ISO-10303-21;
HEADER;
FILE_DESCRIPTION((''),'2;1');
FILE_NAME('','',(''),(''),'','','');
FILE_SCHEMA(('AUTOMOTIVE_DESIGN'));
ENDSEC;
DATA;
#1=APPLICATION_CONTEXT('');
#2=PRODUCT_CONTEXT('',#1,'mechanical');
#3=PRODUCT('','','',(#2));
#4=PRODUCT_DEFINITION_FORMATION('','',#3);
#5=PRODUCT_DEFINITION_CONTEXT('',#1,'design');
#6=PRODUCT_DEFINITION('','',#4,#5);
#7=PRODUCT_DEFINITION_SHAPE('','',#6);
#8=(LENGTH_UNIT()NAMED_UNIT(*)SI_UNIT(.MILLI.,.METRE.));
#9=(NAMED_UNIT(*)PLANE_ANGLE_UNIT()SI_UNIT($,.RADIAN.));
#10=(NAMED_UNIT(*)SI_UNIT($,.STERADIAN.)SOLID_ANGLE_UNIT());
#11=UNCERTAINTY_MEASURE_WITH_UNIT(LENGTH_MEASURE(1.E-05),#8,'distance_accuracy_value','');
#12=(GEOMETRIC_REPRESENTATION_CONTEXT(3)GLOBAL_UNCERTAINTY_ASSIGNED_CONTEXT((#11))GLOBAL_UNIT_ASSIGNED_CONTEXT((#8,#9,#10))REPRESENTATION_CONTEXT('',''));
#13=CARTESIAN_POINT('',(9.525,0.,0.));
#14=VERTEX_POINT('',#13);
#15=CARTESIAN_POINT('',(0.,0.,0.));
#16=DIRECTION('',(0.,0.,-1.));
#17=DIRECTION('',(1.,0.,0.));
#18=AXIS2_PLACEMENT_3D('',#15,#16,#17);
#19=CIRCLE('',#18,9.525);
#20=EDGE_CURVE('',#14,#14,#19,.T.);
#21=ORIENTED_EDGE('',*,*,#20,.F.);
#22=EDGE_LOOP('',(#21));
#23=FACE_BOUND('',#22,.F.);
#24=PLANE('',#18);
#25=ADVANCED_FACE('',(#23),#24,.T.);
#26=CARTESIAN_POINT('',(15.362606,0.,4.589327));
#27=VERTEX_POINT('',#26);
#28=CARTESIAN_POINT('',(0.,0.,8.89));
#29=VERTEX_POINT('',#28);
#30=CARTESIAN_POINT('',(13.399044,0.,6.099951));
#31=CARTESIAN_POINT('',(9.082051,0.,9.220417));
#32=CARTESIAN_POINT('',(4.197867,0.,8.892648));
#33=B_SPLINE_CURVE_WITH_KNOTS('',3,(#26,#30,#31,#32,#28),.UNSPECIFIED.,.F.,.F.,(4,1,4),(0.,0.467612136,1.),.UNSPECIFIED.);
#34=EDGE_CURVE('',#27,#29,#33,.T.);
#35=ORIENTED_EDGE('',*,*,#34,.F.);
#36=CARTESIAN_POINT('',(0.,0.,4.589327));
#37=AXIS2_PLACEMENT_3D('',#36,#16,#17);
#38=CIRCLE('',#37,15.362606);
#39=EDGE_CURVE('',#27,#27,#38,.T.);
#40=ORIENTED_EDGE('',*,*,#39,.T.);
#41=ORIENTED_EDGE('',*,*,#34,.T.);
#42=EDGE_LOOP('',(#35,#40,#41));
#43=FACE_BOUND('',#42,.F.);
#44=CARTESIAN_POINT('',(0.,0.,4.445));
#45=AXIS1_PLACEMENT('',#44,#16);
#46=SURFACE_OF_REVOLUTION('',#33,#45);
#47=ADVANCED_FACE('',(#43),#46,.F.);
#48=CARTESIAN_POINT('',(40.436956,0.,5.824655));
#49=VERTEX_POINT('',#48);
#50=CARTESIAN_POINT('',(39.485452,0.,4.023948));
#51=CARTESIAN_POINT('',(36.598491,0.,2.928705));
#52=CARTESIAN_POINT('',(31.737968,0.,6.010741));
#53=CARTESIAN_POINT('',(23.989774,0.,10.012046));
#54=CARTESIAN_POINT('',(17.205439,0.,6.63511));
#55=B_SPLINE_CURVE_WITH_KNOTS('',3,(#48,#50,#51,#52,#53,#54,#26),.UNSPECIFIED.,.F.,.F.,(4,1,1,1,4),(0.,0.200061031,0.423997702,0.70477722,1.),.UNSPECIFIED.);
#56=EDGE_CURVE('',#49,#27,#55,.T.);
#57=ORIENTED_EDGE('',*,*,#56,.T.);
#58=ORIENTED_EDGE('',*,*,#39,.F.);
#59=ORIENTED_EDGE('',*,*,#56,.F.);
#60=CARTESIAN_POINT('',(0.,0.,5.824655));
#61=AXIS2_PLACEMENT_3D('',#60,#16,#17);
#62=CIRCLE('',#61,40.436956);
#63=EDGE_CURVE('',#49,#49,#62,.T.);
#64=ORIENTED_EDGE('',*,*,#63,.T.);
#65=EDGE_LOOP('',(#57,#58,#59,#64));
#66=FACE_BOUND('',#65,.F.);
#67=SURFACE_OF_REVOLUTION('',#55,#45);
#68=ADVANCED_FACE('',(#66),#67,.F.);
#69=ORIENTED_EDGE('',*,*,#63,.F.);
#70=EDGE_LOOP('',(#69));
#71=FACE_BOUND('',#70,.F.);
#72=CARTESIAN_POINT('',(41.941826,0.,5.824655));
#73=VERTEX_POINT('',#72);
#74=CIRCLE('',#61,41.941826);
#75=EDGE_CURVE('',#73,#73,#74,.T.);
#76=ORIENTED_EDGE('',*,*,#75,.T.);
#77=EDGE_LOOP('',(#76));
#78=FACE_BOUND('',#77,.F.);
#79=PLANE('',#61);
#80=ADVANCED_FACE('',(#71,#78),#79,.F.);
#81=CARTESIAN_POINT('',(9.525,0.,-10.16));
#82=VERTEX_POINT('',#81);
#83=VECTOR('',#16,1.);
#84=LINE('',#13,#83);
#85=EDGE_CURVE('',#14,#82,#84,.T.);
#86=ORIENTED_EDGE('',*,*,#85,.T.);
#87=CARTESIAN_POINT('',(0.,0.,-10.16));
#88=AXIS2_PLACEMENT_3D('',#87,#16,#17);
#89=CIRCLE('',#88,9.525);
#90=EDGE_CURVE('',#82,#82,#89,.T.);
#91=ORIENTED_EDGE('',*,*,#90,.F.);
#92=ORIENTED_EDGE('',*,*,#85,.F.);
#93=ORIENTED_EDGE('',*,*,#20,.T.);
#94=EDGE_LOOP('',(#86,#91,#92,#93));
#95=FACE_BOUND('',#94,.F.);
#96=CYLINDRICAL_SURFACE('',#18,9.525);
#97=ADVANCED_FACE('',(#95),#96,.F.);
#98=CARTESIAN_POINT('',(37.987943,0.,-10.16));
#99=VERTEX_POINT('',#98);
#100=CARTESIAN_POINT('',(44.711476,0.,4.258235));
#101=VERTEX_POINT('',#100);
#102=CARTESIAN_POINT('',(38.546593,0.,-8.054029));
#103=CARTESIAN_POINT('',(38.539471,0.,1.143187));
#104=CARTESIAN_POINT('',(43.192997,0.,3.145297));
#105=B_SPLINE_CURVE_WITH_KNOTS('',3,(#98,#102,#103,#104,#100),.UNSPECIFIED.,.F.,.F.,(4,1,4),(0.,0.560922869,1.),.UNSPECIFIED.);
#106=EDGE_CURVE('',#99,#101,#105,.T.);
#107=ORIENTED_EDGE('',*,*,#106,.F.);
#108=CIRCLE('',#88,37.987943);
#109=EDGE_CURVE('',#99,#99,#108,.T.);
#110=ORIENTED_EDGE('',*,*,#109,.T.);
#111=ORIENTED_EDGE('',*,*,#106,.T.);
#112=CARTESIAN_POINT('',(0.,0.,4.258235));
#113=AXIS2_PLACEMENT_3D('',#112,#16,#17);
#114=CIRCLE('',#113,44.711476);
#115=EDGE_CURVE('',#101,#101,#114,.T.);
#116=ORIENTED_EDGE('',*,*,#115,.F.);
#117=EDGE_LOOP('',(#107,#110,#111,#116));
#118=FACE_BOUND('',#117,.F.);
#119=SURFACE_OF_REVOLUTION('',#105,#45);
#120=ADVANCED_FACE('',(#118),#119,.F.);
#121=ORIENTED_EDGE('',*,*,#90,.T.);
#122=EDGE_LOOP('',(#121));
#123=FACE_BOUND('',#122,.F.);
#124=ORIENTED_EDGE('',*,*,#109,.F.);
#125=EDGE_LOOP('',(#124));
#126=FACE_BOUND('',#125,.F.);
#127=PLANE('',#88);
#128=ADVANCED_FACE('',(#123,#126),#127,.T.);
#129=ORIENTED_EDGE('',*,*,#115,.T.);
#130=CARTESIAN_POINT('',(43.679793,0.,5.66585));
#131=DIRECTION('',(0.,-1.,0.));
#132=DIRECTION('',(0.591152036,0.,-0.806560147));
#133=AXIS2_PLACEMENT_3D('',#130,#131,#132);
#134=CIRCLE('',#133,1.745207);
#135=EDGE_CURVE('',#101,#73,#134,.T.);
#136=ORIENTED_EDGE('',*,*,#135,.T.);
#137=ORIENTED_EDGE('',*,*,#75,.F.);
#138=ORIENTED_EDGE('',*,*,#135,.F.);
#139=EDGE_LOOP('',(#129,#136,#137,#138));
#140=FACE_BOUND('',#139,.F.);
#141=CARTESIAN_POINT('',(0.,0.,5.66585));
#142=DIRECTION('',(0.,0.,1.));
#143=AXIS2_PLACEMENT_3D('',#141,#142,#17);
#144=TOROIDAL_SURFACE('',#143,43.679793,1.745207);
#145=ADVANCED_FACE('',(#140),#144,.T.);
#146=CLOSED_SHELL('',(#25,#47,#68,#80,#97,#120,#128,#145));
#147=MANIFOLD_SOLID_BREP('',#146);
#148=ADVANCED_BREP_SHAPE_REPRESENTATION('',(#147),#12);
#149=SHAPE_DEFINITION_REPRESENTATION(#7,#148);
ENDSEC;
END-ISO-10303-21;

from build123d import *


with BuildPart() as f1:
    # F0 (on Front) → F1 (revolve)
    with BuildSketch(Plane.XZ):
        with BuildLine():
            Line((0, 8.89), (0, 0))
            Line((0, 0), (9.525, 0))
            Line((9.525, 0), (9.525, -10.16))
            Line((9.525, -10.16), (37.9879428238, -10.16))
            add(Edge.make_bspline(
                [(37.9879428238, -10.16), (38.5465929424, -8.0540294038), (38.5394706022, 1.1431867666), (43.1929971646, 3.1452968316), (44.711475948, 4.2582353115)],
                knots=[0, 0, 0, 0, 0.5609228691, 1, 1, 1, 1], degree=3))
            ThreePointArc((44.711475948, 4.2582353115), (44.5389362126, 7.1849355623), (41.9418262187, 5.8246547098))
            Line((41.9418262187, 5.8246547098), (40.4369564229, 5.8246547098))
            add(Edge.make_bspline(
                [(40.4369564229, 5.8246547098), (39.4854517485, 4.0239477935), (36.5984905247, 2.9287048978), (31.7379680759, 6.0107409853), (23.9897744674, 10.0120462064), (17.2054386489, 6.6351102067), (15.3626063442, 4.5893269133)],
                knots=[0, 0, 0, 0, 0.200061031, 0.4239977016, 0.7047772195, 1, 1, 1, 1], degree=3))
            add(Edge.make_bspline(
                [(15.3626063442, 4.5893269133), (13.3990436098, 6.0999510375), (9.0820505978, 9.2204172392), (4.1978668168, 8.8926475618), (0, 8.89)],
                knots=[0, 0, 0, 0, 0.467612136, 1, 1, 1, 1], degree=3))
        make_face()
    revolve(axis=Axis((0, 0, 4.445), (0, 0, -1)))


solid = f1.part
